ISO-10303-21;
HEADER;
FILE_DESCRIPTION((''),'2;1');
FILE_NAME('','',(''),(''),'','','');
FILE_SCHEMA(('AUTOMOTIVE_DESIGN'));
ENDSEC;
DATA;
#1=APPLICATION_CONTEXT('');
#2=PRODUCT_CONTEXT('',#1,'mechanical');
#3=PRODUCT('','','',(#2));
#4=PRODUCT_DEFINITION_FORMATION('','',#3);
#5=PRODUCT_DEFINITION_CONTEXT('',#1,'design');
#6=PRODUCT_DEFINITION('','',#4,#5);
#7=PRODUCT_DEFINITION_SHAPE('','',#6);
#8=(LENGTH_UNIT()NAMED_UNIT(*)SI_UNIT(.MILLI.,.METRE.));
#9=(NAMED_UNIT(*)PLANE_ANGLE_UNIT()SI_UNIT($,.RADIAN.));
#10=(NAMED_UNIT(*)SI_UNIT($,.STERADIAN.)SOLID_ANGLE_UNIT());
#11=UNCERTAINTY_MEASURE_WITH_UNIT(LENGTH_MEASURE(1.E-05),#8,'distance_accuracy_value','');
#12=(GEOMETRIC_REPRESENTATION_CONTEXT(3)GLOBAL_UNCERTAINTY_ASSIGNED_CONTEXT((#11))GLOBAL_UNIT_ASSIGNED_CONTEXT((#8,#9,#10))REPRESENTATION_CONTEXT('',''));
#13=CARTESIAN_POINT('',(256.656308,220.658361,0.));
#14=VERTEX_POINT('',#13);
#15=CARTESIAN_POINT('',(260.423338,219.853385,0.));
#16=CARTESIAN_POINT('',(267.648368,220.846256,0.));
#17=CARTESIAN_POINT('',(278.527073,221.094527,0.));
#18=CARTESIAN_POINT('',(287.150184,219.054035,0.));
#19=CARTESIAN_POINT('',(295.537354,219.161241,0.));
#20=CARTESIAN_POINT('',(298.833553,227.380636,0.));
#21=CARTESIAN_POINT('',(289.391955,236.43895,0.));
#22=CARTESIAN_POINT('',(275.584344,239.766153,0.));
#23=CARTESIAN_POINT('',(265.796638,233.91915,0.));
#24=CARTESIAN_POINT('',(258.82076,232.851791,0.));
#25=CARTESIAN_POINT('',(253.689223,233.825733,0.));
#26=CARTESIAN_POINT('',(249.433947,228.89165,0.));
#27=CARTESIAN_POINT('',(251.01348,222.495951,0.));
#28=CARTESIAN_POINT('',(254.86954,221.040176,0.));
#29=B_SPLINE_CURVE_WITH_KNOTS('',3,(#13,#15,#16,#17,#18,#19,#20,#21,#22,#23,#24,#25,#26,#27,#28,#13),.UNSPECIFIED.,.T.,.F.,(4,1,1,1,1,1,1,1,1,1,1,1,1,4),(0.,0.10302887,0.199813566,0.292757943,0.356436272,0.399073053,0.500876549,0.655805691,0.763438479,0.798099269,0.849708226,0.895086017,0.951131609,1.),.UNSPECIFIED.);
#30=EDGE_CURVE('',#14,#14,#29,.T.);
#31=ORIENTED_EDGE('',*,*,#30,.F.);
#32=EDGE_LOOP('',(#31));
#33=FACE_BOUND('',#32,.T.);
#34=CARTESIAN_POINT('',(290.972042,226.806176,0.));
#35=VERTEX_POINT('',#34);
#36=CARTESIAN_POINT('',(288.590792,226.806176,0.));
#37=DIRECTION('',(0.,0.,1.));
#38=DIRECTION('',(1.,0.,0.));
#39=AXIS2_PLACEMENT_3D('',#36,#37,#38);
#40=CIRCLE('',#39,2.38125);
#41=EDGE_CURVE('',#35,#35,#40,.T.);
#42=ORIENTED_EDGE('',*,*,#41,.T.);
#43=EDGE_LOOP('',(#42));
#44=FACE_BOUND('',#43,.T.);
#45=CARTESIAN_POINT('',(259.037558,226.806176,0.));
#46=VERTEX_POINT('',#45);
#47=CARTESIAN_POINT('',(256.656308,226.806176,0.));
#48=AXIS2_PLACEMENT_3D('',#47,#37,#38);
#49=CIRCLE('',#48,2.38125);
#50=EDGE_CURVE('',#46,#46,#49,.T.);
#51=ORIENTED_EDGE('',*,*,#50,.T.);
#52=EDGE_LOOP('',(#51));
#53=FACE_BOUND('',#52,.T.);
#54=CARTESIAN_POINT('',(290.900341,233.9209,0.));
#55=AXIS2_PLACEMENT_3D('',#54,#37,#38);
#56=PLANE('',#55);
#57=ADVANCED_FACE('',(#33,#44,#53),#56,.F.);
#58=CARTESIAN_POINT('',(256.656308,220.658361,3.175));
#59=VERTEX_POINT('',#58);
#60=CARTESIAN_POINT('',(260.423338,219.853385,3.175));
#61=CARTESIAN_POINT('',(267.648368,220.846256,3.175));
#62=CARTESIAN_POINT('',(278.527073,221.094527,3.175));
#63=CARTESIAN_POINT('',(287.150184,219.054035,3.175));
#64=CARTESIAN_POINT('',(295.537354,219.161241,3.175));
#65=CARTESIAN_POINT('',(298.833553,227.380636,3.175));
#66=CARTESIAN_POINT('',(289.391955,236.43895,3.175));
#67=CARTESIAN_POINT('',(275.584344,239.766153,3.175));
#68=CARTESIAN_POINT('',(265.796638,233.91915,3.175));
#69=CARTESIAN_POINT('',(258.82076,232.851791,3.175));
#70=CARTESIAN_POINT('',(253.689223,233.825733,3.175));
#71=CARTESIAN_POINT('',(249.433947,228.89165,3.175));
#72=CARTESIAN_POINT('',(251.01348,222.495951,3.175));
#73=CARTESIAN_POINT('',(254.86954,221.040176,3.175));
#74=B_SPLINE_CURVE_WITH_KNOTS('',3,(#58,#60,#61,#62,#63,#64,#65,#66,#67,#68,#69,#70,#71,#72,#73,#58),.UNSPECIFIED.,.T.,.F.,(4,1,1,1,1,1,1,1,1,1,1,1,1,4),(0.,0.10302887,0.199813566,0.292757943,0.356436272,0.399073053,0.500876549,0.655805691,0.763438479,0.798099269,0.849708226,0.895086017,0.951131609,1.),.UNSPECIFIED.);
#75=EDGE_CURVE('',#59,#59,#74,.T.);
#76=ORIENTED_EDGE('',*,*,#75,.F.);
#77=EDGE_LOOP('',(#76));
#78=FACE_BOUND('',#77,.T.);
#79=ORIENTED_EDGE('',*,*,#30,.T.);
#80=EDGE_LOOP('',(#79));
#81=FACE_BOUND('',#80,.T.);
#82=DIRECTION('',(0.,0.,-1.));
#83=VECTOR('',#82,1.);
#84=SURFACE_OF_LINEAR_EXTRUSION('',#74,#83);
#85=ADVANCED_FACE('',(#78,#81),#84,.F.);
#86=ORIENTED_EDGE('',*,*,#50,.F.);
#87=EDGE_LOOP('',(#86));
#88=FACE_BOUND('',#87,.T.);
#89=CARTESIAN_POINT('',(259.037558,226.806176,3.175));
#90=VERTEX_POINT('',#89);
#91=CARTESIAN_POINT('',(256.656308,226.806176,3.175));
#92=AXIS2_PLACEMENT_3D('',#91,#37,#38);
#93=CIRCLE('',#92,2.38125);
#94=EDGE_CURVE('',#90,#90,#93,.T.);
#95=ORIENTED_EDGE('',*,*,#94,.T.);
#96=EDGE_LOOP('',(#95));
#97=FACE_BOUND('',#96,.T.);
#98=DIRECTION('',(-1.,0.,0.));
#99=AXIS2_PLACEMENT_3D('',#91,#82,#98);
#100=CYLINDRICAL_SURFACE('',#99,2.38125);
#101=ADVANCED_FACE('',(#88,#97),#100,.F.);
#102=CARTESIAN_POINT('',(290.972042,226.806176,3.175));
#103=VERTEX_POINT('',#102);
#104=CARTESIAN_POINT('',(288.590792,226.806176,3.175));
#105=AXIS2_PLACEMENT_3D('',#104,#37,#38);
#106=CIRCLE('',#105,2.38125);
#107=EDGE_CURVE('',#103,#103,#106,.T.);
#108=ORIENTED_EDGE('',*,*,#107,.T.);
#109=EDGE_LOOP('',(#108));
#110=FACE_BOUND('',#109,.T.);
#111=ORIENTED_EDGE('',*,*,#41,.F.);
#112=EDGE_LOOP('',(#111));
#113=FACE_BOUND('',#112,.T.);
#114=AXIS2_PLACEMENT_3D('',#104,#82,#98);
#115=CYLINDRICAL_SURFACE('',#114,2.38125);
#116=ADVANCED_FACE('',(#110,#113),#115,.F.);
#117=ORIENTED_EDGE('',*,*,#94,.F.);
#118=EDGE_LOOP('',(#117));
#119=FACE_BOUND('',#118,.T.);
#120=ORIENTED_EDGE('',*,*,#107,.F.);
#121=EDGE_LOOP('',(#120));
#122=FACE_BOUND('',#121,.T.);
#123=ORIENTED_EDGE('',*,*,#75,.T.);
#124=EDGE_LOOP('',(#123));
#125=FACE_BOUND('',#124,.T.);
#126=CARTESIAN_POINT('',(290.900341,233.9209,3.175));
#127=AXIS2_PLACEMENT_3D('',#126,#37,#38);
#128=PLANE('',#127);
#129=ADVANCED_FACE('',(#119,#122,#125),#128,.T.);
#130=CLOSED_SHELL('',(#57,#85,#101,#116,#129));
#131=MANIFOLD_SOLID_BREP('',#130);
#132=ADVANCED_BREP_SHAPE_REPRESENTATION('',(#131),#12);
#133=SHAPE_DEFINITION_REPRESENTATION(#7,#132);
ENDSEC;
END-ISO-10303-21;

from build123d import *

# Parameters (mm, degrees)
SKETCH1_R           = 2.38125
BOSS_EXTRUDE1_DEPTH = 3.175


with BuildPart() as part:
    # Sketch1 → Boss-Extrude1 (new body)
    with BuildSketch(Plane.XY):
        with BuildLine():
            add(Edge.make_bspline(
                [(256.656307694, 220.658361193), (254.869539647, 221.040175674), (251.013480449, 222.495951077), (249.433947251, 228.891650402), (253.68922329, 233.825733293), (258.820760462, 232.851791162), (265.796638063, 233.919150188), (275.584344016, 239.766153097), (289.391955014, 236.438949771), (298.833553425, 227.380636014), (295.537354238, 219.161240786), (287.15018396, 219.054034587), (278.52707262, 221.094526863), (267.648367821, 220.846256465), (260.423337659, 219.853384524), (256.656307694, 220.658361193)],
                knots=[0, 0, 0, 0, 0.048868391, 0.104913983, 0.150291774, 0.201900731, 0.236561521, 0.344194309, 0.499123451, 0.600926947, 0.643563728, 0.707242057, 0.800186434, 0.89697113, 1, 1, 1, 1], degree=3))
        make_face()
        with Locations((288.590792317, 226.806176415)):
            Circle(SKETCH1_R, mode=Mode.SUBTRACT)
        with Locations((256.656307694, 226.806176415)):
            Circle(SKETCH1_R, mode=Mode.SUBTRACT)
    extrude(amount=BOSS_EXTRUDE1_DEPTH)


solid = part.part
